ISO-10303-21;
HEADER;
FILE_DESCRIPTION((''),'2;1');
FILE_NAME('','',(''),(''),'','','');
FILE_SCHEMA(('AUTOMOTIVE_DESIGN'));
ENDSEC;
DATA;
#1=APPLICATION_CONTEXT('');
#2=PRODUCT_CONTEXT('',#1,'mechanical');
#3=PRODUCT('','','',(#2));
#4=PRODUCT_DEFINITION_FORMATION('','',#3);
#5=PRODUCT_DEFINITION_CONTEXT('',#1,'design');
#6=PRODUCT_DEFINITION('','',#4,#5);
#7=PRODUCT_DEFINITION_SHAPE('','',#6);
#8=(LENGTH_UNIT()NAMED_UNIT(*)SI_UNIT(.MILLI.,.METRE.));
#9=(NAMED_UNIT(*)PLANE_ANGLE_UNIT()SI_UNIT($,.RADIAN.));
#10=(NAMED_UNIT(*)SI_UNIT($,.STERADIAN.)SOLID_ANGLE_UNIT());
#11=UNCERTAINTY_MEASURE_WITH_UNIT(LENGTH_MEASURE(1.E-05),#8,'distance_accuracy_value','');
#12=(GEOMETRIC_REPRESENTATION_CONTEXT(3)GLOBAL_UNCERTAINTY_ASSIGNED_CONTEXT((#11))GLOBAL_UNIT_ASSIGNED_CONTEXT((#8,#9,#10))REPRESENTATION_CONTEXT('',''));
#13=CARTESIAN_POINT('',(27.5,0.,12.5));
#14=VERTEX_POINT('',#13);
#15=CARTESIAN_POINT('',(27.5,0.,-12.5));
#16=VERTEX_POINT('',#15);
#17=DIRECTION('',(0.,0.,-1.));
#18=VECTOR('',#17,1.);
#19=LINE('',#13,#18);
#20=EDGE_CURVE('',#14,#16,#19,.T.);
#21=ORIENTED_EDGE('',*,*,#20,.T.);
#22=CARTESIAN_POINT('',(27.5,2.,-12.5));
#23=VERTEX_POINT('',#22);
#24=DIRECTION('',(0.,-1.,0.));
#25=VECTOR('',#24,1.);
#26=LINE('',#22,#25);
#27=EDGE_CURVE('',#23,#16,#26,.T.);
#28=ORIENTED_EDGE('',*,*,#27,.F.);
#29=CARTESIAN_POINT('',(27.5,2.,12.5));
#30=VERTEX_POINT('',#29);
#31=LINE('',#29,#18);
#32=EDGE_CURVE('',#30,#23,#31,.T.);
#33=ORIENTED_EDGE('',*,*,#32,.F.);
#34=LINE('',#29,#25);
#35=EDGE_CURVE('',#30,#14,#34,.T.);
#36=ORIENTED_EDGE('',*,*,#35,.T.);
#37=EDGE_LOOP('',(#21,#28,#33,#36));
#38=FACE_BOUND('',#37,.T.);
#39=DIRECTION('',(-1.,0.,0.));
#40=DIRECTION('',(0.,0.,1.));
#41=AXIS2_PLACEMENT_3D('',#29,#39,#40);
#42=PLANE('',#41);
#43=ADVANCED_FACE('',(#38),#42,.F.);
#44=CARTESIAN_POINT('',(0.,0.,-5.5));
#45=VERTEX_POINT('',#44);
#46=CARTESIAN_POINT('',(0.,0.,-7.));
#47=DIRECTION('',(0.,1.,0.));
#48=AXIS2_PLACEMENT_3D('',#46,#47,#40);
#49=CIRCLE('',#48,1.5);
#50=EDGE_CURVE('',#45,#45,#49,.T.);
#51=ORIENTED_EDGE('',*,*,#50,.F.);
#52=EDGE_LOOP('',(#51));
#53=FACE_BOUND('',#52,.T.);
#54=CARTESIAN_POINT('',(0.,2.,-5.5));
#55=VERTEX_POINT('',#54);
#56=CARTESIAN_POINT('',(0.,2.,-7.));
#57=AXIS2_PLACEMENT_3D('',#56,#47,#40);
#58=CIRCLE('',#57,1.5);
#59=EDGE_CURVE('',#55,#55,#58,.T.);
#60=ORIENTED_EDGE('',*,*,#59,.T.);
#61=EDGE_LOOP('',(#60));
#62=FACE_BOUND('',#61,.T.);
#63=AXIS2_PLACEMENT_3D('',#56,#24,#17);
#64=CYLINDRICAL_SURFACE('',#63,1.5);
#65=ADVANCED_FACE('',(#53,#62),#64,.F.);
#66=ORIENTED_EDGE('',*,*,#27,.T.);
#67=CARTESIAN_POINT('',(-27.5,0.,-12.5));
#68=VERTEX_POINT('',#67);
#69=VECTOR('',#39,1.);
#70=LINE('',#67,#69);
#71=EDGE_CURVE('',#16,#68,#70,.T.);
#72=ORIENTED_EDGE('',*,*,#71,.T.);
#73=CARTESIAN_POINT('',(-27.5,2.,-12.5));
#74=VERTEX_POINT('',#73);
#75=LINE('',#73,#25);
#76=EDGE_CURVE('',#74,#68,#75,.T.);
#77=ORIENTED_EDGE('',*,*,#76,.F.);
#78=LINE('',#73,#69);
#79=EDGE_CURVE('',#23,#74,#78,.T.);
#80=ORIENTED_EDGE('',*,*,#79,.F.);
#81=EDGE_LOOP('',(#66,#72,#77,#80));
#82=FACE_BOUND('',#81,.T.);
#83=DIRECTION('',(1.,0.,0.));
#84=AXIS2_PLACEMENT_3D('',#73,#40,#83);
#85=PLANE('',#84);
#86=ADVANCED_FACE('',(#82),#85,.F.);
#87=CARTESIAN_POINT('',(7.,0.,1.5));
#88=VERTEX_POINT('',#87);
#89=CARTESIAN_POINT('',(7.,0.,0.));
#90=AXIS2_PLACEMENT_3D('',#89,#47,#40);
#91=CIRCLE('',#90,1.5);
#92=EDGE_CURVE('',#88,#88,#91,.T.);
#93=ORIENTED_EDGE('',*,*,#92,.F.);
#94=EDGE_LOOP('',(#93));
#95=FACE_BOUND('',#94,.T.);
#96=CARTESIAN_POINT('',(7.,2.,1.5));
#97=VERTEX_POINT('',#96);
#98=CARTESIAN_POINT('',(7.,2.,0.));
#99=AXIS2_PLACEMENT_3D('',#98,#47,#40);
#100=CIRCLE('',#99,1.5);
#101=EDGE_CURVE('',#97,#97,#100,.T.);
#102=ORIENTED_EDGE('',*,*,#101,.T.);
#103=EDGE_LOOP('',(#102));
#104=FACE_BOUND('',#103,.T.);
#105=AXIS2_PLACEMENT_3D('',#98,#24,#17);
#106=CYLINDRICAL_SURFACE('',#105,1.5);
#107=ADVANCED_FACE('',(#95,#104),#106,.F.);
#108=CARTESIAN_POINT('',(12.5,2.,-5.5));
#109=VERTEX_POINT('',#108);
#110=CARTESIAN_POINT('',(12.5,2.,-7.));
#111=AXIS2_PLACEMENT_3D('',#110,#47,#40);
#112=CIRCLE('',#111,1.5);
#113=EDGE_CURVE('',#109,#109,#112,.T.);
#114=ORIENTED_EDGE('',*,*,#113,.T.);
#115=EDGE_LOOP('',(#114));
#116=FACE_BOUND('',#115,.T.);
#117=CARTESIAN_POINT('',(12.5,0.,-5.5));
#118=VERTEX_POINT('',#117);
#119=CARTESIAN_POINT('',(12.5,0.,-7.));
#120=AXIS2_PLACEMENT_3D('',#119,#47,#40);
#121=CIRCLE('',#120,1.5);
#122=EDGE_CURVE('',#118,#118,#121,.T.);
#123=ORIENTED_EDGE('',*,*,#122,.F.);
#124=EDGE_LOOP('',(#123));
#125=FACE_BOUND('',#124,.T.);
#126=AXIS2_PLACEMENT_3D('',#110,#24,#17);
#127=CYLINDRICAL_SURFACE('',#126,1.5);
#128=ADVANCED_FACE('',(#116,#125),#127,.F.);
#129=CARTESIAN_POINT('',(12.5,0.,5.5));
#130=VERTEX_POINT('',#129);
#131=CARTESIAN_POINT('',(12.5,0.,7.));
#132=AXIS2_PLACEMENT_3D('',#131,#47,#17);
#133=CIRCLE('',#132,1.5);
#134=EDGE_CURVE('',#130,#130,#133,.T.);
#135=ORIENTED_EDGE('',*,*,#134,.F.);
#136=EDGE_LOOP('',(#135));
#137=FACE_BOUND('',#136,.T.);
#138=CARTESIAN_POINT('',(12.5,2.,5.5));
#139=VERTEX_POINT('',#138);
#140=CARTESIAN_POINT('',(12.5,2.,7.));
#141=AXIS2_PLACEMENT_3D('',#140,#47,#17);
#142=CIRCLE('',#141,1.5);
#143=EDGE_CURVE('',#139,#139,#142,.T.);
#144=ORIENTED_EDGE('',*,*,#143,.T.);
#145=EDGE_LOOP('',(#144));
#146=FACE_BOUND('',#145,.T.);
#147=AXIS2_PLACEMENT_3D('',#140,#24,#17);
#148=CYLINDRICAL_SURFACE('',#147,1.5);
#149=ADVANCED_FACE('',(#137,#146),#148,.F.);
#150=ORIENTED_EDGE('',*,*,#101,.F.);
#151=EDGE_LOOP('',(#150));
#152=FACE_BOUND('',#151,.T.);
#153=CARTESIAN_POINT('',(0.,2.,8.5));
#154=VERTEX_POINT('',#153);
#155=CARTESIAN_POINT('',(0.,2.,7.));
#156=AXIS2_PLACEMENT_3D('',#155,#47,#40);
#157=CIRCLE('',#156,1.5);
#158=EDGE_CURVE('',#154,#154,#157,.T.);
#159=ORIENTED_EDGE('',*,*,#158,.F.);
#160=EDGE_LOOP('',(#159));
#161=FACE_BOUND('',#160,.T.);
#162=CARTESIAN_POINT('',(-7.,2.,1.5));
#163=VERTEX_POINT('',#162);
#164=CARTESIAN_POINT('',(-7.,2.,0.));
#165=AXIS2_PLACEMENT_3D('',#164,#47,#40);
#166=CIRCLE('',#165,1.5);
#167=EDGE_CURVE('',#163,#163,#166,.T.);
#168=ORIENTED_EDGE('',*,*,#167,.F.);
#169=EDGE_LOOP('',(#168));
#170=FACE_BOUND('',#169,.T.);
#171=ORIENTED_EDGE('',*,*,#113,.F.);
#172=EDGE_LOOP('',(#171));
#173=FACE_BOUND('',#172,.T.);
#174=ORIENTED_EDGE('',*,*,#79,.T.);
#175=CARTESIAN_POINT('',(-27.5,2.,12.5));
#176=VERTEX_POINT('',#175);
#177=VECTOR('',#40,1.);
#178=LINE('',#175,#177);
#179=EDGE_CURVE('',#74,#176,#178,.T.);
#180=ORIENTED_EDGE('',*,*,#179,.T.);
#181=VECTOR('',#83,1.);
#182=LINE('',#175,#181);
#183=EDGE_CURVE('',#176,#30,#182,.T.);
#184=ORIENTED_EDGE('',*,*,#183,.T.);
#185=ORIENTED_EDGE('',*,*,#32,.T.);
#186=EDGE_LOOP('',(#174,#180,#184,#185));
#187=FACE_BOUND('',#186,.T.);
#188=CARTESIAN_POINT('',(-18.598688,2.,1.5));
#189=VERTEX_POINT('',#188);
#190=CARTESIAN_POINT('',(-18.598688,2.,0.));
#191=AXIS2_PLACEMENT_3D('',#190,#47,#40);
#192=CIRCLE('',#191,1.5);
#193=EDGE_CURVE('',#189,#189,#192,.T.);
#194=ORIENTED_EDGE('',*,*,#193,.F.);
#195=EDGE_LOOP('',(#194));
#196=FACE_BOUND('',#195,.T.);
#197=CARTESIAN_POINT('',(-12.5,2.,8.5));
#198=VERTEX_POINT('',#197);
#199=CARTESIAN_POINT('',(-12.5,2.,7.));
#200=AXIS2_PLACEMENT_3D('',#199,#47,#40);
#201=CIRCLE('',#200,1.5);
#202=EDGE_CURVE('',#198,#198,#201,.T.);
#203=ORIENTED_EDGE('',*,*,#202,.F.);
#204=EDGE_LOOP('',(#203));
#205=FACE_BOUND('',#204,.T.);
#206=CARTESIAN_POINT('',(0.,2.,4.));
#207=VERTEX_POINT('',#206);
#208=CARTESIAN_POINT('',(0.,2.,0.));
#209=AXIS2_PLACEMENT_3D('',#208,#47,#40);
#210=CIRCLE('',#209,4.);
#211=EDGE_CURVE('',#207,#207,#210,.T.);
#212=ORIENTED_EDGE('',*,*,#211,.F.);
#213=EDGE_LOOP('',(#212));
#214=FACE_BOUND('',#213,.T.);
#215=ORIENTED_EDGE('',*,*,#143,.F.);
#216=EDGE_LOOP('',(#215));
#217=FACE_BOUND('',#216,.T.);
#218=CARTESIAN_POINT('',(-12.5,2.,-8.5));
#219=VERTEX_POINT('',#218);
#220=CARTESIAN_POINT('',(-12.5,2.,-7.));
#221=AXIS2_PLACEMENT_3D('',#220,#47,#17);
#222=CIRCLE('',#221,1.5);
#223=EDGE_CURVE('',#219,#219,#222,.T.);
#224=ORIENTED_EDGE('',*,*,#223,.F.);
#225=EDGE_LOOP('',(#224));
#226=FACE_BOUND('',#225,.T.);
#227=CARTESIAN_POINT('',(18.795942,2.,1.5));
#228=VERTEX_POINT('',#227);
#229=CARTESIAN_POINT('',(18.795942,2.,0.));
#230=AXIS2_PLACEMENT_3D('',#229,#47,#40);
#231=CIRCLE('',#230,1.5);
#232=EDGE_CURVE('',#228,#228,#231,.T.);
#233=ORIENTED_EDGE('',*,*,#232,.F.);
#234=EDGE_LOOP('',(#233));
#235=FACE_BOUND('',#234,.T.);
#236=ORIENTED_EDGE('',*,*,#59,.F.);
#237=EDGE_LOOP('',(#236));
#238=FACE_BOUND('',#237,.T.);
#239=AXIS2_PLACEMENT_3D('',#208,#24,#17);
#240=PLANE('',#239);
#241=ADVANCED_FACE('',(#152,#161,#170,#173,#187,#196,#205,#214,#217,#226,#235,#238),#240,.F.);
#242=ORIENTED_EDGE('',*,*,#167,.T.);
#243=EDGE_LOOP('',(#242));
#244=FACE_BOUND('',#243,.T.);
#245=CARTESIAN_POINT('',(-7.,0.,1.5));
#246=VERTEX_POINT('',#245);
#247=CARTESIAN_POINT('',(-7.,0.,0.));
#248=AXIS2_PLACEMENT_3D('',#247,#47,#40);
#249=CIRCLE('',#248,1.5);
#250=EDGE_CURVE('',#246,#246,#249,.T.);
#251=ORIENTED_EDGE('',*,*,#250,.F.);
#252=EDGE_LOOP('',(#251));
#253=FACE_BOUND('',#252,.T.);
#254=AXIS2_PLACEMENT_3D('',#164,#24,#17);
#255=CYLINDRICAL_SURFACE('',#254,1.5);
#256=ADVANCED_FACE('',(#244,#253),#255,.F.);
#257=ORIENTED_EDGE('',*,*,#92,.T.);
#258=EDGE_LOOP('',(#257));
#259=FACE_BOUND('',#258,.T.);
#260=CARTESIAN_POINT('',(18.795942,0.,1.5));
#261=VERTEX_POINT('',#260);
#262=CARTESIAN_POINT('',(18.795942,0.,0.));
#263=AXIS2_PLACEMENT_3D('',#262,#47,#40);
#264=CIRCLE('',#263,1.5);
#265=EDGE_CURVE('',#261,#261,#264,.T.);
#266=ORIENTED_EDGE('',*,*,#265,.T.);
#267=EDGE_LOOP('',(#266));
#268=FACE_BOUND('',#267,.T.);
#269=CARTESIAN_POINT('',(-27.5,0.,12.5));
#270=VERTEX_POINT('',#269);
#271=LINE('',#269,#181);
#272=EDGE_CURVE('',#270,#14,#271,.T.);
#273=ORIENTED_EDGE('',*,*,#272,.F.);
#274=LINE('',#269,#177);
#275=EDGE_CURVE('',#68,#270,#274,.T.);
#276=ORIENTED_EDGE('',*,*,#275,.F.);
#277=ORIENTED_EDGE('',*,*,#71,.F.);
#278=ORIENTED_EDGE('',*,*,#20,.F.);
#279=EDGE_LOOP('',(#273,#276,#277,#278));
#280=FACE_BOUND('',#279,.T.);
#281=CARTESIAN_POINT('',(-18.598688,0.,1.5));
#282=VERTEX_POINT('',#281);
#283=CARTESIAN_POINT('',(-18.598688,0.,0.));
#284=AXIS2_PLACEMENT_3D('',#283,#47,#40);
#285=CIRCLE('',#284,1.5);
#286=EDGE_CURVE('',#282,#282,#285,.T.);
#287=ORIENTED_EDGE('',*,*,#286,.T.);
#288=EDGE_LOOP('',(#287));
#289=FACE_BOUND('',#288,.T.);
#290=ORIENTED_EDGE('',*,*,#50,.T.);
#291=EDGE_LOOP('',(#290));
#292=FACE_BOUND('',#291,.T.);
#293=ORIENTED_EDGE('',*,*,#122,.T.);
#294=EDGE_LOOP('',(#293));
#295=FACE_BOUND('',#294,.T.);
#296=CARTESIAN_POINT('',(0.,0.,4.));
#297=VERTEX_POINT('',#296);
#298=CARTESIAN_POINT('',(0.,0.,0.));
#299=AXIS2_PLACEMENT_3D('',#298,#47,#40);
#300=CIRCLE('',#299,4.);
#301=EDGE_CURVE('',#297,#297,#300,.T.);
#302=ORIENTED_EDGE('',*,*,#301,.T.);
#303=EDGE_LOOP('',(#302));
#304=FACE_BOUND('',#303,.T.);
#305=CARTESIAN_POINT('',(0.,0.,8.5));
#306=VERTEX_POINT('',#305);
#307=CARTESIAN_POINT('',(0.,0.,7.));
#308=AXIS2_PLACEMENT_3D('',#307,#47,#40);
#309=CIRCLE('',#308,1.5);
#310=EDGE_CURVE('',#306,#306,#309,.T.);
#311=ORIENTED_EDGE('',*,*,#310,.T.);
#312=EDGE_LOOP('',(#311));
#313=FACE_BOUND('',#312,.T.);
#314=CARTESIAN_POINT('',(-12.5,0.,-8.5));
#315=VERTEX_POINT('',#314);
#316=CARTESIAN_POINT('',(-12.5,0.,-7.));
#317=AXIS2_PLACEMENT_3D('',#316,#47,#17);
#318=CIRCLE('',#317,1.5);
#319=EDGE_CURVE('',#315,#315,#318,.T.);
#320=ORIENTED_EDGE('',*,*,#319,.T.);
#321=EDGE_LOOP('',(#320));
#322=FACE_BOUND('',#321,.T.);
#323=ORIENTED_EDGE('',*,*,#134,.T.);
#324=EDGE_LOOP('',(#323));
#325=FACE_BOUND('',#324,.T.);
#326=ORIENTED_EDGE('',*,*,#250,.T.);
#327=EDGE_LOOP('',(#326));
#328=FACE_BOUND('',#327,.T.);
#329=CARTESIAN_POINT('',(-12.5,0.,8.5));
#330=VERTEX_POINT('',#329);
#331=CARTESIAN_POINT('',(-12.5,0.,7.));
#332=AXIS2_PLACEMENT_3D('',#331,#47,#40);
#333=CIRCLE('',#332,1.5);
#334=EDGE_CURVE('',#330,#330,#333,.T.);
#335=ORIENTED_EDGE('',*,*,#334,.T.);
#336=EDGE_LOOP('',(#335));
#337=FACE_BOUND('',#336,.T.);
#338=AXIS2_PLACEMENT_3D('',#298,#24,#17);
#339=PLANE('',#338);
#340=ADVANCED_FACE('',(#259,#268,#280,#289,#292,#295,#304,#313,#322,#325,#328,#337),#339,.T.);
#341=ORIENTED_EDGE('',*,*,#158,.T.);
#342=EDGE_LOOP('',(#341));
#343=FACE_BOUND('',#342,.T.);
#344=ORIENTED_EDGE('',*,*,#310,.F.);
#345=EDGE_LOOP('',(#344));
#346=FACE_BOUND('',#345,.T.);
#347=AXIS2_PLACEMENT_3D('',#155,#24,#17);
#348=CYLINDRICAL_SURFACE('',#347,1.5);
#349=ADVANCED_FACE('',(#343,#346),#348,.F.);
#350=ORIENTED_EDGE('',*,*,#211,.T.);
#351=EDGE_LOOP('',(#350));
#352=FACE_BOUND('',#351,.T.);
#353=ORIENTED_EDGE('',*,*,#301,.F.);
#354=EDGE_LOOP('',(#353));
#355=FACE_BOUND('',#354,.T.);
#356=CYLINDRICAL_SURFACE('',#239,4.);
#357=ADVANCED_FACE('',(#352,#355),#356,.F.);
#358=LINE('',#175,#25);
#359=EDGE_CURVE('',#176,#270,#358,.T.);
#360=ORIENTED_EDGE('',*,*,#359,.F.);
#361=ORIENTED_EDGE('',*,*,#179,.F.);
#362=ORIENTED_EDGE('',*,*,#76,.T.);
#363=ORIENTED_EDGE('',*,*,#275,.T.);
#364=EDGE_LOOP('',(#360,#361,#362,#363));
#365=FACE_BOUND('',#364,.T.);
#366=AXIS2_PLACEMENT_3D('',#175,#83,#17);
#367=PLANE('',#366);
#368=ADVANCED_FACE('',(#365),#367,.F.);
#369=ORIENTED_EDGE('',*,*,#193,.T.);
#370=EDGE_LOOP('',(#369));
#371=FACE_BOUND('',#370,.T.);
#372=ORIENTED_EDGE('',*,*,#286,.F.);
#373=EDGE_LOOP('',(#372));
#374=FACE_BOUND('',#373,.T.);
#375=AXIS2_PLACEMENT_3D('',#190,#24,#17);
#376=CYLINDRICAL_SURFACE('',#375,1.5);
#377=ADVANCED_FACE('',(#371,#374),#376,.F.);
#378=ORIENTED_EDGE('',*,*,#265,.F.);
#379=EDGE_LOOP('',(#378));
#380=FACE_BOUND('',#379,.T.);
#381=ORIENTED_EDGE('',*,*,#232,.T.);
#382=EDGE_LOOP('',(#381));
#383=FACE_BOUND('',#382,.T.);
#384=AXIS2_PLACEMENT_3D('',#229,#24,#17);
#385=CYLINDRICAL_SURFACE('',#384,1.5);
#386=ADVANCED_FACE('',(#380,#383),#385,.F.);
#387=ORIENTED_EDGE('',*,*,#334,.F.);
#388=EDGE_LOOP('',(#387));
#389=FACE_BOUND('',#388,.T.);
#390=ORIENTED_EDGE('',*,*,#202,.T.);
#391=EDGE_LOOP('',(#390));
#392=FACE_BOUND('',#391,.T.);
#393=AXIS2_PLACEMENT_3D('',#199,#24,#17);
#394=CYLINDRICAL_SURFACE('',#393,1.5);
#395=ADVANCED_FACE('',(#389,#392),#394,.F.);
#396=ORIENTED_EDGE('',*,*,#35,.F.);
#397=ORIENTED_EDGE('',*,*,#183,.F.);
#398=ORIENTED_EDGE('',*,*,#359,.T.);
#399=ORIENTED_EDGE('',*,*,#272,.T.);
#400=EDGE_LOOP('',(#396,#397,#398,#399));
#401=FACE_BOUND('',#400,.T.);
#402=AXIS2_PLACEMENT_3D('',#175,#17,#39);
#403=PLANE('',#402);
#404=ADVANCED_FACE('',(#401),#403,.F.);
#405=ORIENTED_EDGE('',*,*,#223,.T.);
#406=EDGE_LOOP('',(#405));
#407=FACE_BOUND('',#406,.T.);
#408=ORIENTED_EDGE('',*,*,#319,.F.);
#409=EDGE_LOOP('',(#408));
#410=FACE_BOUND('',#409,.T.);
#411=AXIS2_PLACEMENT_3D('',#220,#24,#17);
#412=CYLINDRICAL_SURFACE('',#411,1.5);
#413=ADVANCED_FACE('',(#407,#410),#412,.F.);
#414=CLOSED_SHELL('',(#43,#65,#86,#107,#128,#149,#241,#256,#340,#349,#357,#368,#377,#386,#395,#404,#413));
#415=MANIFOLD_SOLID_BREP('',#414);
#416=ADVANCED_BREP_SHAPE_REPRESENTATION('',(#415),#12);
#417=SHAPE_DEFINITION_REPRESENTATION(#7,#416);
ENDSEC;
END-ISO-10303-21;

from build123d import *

# Parameters (mm, degrees)
SKETCH_1_W      = 55
SKETCH_1_H      = 25
SKETCH_1_R      = 1.5
SKETCH_1_R_2    = 4
EXTRUDE_1_DEPTH = 2


with BuildPart() as part:
    # 草图1 → 凸台-拉伸1 (new body)
    with BuildSketch(Plane(origin=(0, 0, 0), x_dir=(1, 0, 0), z_dir=(0, 1, 0))):
        Rectangle(SKETCH_1_W, SKETCH_1_H)
        with Locations(Location((0, 7, 0), (0, 0, 270))):
            Circle(SKETCH_1_R, mode=Mode.SUBTRACT)
        with Locations(Location((7, 0, 0), (0, 0, 270))):
            Circle(SKETCH_1_R, mode=Mode.SUBTRACT)
        with Locations(Location((0, -7, 0), (0, 0, 270))):
            Circle(SKETCH_1_R, mode=Mode.SUBTRACT)
        with Locations(Location((-7, 0, 0), (0, 0, 270))):
            Circle(SKETCH_1_R, mode=Mode.SUBTRACT)
        with Locations(Location((-18.598687937, 0, 0), (0, 0, 270))):
            Circle(SKETCH_1_R, mode=Mode.SUBTRACT)
        with Locations(Location((0, 0, 0), (0, 0, 270))):
            Circle(SKETCH_1_R_2, mode=Mode.SUBTRACT)
        with Locations(Location((18.795941944, 0, 0), (0, 0, 270))):
            Circle(SKETCH_1_R, mode=Mode.SUBTRACT)
        with Locations(Location((12.5, 7, 0), (0, 0, 270))):
            Circle(SKETCH_1_R, mode=Mode.SUBTRACT)
        with Locations(Location((12.5, -7, 0), (0, 0, 90))):
            Circle(SKETCH_1_R, mode=Mode.SUBTRACT)
        with Locations(Location((-12.5, -7, 0), (0, 0, 270))):
            Circle(SKETCH_1_R, mode=Mode.SUBTRACT)
        with Locations(Location((-12.5, 7, 0), (0, 0, 90))):
            Circle(SKETCH_1_R, mode=Mode.SUBTRACT)
    extrude(amount=EXTRUDE_1_DEPTH)


solid = part.part
